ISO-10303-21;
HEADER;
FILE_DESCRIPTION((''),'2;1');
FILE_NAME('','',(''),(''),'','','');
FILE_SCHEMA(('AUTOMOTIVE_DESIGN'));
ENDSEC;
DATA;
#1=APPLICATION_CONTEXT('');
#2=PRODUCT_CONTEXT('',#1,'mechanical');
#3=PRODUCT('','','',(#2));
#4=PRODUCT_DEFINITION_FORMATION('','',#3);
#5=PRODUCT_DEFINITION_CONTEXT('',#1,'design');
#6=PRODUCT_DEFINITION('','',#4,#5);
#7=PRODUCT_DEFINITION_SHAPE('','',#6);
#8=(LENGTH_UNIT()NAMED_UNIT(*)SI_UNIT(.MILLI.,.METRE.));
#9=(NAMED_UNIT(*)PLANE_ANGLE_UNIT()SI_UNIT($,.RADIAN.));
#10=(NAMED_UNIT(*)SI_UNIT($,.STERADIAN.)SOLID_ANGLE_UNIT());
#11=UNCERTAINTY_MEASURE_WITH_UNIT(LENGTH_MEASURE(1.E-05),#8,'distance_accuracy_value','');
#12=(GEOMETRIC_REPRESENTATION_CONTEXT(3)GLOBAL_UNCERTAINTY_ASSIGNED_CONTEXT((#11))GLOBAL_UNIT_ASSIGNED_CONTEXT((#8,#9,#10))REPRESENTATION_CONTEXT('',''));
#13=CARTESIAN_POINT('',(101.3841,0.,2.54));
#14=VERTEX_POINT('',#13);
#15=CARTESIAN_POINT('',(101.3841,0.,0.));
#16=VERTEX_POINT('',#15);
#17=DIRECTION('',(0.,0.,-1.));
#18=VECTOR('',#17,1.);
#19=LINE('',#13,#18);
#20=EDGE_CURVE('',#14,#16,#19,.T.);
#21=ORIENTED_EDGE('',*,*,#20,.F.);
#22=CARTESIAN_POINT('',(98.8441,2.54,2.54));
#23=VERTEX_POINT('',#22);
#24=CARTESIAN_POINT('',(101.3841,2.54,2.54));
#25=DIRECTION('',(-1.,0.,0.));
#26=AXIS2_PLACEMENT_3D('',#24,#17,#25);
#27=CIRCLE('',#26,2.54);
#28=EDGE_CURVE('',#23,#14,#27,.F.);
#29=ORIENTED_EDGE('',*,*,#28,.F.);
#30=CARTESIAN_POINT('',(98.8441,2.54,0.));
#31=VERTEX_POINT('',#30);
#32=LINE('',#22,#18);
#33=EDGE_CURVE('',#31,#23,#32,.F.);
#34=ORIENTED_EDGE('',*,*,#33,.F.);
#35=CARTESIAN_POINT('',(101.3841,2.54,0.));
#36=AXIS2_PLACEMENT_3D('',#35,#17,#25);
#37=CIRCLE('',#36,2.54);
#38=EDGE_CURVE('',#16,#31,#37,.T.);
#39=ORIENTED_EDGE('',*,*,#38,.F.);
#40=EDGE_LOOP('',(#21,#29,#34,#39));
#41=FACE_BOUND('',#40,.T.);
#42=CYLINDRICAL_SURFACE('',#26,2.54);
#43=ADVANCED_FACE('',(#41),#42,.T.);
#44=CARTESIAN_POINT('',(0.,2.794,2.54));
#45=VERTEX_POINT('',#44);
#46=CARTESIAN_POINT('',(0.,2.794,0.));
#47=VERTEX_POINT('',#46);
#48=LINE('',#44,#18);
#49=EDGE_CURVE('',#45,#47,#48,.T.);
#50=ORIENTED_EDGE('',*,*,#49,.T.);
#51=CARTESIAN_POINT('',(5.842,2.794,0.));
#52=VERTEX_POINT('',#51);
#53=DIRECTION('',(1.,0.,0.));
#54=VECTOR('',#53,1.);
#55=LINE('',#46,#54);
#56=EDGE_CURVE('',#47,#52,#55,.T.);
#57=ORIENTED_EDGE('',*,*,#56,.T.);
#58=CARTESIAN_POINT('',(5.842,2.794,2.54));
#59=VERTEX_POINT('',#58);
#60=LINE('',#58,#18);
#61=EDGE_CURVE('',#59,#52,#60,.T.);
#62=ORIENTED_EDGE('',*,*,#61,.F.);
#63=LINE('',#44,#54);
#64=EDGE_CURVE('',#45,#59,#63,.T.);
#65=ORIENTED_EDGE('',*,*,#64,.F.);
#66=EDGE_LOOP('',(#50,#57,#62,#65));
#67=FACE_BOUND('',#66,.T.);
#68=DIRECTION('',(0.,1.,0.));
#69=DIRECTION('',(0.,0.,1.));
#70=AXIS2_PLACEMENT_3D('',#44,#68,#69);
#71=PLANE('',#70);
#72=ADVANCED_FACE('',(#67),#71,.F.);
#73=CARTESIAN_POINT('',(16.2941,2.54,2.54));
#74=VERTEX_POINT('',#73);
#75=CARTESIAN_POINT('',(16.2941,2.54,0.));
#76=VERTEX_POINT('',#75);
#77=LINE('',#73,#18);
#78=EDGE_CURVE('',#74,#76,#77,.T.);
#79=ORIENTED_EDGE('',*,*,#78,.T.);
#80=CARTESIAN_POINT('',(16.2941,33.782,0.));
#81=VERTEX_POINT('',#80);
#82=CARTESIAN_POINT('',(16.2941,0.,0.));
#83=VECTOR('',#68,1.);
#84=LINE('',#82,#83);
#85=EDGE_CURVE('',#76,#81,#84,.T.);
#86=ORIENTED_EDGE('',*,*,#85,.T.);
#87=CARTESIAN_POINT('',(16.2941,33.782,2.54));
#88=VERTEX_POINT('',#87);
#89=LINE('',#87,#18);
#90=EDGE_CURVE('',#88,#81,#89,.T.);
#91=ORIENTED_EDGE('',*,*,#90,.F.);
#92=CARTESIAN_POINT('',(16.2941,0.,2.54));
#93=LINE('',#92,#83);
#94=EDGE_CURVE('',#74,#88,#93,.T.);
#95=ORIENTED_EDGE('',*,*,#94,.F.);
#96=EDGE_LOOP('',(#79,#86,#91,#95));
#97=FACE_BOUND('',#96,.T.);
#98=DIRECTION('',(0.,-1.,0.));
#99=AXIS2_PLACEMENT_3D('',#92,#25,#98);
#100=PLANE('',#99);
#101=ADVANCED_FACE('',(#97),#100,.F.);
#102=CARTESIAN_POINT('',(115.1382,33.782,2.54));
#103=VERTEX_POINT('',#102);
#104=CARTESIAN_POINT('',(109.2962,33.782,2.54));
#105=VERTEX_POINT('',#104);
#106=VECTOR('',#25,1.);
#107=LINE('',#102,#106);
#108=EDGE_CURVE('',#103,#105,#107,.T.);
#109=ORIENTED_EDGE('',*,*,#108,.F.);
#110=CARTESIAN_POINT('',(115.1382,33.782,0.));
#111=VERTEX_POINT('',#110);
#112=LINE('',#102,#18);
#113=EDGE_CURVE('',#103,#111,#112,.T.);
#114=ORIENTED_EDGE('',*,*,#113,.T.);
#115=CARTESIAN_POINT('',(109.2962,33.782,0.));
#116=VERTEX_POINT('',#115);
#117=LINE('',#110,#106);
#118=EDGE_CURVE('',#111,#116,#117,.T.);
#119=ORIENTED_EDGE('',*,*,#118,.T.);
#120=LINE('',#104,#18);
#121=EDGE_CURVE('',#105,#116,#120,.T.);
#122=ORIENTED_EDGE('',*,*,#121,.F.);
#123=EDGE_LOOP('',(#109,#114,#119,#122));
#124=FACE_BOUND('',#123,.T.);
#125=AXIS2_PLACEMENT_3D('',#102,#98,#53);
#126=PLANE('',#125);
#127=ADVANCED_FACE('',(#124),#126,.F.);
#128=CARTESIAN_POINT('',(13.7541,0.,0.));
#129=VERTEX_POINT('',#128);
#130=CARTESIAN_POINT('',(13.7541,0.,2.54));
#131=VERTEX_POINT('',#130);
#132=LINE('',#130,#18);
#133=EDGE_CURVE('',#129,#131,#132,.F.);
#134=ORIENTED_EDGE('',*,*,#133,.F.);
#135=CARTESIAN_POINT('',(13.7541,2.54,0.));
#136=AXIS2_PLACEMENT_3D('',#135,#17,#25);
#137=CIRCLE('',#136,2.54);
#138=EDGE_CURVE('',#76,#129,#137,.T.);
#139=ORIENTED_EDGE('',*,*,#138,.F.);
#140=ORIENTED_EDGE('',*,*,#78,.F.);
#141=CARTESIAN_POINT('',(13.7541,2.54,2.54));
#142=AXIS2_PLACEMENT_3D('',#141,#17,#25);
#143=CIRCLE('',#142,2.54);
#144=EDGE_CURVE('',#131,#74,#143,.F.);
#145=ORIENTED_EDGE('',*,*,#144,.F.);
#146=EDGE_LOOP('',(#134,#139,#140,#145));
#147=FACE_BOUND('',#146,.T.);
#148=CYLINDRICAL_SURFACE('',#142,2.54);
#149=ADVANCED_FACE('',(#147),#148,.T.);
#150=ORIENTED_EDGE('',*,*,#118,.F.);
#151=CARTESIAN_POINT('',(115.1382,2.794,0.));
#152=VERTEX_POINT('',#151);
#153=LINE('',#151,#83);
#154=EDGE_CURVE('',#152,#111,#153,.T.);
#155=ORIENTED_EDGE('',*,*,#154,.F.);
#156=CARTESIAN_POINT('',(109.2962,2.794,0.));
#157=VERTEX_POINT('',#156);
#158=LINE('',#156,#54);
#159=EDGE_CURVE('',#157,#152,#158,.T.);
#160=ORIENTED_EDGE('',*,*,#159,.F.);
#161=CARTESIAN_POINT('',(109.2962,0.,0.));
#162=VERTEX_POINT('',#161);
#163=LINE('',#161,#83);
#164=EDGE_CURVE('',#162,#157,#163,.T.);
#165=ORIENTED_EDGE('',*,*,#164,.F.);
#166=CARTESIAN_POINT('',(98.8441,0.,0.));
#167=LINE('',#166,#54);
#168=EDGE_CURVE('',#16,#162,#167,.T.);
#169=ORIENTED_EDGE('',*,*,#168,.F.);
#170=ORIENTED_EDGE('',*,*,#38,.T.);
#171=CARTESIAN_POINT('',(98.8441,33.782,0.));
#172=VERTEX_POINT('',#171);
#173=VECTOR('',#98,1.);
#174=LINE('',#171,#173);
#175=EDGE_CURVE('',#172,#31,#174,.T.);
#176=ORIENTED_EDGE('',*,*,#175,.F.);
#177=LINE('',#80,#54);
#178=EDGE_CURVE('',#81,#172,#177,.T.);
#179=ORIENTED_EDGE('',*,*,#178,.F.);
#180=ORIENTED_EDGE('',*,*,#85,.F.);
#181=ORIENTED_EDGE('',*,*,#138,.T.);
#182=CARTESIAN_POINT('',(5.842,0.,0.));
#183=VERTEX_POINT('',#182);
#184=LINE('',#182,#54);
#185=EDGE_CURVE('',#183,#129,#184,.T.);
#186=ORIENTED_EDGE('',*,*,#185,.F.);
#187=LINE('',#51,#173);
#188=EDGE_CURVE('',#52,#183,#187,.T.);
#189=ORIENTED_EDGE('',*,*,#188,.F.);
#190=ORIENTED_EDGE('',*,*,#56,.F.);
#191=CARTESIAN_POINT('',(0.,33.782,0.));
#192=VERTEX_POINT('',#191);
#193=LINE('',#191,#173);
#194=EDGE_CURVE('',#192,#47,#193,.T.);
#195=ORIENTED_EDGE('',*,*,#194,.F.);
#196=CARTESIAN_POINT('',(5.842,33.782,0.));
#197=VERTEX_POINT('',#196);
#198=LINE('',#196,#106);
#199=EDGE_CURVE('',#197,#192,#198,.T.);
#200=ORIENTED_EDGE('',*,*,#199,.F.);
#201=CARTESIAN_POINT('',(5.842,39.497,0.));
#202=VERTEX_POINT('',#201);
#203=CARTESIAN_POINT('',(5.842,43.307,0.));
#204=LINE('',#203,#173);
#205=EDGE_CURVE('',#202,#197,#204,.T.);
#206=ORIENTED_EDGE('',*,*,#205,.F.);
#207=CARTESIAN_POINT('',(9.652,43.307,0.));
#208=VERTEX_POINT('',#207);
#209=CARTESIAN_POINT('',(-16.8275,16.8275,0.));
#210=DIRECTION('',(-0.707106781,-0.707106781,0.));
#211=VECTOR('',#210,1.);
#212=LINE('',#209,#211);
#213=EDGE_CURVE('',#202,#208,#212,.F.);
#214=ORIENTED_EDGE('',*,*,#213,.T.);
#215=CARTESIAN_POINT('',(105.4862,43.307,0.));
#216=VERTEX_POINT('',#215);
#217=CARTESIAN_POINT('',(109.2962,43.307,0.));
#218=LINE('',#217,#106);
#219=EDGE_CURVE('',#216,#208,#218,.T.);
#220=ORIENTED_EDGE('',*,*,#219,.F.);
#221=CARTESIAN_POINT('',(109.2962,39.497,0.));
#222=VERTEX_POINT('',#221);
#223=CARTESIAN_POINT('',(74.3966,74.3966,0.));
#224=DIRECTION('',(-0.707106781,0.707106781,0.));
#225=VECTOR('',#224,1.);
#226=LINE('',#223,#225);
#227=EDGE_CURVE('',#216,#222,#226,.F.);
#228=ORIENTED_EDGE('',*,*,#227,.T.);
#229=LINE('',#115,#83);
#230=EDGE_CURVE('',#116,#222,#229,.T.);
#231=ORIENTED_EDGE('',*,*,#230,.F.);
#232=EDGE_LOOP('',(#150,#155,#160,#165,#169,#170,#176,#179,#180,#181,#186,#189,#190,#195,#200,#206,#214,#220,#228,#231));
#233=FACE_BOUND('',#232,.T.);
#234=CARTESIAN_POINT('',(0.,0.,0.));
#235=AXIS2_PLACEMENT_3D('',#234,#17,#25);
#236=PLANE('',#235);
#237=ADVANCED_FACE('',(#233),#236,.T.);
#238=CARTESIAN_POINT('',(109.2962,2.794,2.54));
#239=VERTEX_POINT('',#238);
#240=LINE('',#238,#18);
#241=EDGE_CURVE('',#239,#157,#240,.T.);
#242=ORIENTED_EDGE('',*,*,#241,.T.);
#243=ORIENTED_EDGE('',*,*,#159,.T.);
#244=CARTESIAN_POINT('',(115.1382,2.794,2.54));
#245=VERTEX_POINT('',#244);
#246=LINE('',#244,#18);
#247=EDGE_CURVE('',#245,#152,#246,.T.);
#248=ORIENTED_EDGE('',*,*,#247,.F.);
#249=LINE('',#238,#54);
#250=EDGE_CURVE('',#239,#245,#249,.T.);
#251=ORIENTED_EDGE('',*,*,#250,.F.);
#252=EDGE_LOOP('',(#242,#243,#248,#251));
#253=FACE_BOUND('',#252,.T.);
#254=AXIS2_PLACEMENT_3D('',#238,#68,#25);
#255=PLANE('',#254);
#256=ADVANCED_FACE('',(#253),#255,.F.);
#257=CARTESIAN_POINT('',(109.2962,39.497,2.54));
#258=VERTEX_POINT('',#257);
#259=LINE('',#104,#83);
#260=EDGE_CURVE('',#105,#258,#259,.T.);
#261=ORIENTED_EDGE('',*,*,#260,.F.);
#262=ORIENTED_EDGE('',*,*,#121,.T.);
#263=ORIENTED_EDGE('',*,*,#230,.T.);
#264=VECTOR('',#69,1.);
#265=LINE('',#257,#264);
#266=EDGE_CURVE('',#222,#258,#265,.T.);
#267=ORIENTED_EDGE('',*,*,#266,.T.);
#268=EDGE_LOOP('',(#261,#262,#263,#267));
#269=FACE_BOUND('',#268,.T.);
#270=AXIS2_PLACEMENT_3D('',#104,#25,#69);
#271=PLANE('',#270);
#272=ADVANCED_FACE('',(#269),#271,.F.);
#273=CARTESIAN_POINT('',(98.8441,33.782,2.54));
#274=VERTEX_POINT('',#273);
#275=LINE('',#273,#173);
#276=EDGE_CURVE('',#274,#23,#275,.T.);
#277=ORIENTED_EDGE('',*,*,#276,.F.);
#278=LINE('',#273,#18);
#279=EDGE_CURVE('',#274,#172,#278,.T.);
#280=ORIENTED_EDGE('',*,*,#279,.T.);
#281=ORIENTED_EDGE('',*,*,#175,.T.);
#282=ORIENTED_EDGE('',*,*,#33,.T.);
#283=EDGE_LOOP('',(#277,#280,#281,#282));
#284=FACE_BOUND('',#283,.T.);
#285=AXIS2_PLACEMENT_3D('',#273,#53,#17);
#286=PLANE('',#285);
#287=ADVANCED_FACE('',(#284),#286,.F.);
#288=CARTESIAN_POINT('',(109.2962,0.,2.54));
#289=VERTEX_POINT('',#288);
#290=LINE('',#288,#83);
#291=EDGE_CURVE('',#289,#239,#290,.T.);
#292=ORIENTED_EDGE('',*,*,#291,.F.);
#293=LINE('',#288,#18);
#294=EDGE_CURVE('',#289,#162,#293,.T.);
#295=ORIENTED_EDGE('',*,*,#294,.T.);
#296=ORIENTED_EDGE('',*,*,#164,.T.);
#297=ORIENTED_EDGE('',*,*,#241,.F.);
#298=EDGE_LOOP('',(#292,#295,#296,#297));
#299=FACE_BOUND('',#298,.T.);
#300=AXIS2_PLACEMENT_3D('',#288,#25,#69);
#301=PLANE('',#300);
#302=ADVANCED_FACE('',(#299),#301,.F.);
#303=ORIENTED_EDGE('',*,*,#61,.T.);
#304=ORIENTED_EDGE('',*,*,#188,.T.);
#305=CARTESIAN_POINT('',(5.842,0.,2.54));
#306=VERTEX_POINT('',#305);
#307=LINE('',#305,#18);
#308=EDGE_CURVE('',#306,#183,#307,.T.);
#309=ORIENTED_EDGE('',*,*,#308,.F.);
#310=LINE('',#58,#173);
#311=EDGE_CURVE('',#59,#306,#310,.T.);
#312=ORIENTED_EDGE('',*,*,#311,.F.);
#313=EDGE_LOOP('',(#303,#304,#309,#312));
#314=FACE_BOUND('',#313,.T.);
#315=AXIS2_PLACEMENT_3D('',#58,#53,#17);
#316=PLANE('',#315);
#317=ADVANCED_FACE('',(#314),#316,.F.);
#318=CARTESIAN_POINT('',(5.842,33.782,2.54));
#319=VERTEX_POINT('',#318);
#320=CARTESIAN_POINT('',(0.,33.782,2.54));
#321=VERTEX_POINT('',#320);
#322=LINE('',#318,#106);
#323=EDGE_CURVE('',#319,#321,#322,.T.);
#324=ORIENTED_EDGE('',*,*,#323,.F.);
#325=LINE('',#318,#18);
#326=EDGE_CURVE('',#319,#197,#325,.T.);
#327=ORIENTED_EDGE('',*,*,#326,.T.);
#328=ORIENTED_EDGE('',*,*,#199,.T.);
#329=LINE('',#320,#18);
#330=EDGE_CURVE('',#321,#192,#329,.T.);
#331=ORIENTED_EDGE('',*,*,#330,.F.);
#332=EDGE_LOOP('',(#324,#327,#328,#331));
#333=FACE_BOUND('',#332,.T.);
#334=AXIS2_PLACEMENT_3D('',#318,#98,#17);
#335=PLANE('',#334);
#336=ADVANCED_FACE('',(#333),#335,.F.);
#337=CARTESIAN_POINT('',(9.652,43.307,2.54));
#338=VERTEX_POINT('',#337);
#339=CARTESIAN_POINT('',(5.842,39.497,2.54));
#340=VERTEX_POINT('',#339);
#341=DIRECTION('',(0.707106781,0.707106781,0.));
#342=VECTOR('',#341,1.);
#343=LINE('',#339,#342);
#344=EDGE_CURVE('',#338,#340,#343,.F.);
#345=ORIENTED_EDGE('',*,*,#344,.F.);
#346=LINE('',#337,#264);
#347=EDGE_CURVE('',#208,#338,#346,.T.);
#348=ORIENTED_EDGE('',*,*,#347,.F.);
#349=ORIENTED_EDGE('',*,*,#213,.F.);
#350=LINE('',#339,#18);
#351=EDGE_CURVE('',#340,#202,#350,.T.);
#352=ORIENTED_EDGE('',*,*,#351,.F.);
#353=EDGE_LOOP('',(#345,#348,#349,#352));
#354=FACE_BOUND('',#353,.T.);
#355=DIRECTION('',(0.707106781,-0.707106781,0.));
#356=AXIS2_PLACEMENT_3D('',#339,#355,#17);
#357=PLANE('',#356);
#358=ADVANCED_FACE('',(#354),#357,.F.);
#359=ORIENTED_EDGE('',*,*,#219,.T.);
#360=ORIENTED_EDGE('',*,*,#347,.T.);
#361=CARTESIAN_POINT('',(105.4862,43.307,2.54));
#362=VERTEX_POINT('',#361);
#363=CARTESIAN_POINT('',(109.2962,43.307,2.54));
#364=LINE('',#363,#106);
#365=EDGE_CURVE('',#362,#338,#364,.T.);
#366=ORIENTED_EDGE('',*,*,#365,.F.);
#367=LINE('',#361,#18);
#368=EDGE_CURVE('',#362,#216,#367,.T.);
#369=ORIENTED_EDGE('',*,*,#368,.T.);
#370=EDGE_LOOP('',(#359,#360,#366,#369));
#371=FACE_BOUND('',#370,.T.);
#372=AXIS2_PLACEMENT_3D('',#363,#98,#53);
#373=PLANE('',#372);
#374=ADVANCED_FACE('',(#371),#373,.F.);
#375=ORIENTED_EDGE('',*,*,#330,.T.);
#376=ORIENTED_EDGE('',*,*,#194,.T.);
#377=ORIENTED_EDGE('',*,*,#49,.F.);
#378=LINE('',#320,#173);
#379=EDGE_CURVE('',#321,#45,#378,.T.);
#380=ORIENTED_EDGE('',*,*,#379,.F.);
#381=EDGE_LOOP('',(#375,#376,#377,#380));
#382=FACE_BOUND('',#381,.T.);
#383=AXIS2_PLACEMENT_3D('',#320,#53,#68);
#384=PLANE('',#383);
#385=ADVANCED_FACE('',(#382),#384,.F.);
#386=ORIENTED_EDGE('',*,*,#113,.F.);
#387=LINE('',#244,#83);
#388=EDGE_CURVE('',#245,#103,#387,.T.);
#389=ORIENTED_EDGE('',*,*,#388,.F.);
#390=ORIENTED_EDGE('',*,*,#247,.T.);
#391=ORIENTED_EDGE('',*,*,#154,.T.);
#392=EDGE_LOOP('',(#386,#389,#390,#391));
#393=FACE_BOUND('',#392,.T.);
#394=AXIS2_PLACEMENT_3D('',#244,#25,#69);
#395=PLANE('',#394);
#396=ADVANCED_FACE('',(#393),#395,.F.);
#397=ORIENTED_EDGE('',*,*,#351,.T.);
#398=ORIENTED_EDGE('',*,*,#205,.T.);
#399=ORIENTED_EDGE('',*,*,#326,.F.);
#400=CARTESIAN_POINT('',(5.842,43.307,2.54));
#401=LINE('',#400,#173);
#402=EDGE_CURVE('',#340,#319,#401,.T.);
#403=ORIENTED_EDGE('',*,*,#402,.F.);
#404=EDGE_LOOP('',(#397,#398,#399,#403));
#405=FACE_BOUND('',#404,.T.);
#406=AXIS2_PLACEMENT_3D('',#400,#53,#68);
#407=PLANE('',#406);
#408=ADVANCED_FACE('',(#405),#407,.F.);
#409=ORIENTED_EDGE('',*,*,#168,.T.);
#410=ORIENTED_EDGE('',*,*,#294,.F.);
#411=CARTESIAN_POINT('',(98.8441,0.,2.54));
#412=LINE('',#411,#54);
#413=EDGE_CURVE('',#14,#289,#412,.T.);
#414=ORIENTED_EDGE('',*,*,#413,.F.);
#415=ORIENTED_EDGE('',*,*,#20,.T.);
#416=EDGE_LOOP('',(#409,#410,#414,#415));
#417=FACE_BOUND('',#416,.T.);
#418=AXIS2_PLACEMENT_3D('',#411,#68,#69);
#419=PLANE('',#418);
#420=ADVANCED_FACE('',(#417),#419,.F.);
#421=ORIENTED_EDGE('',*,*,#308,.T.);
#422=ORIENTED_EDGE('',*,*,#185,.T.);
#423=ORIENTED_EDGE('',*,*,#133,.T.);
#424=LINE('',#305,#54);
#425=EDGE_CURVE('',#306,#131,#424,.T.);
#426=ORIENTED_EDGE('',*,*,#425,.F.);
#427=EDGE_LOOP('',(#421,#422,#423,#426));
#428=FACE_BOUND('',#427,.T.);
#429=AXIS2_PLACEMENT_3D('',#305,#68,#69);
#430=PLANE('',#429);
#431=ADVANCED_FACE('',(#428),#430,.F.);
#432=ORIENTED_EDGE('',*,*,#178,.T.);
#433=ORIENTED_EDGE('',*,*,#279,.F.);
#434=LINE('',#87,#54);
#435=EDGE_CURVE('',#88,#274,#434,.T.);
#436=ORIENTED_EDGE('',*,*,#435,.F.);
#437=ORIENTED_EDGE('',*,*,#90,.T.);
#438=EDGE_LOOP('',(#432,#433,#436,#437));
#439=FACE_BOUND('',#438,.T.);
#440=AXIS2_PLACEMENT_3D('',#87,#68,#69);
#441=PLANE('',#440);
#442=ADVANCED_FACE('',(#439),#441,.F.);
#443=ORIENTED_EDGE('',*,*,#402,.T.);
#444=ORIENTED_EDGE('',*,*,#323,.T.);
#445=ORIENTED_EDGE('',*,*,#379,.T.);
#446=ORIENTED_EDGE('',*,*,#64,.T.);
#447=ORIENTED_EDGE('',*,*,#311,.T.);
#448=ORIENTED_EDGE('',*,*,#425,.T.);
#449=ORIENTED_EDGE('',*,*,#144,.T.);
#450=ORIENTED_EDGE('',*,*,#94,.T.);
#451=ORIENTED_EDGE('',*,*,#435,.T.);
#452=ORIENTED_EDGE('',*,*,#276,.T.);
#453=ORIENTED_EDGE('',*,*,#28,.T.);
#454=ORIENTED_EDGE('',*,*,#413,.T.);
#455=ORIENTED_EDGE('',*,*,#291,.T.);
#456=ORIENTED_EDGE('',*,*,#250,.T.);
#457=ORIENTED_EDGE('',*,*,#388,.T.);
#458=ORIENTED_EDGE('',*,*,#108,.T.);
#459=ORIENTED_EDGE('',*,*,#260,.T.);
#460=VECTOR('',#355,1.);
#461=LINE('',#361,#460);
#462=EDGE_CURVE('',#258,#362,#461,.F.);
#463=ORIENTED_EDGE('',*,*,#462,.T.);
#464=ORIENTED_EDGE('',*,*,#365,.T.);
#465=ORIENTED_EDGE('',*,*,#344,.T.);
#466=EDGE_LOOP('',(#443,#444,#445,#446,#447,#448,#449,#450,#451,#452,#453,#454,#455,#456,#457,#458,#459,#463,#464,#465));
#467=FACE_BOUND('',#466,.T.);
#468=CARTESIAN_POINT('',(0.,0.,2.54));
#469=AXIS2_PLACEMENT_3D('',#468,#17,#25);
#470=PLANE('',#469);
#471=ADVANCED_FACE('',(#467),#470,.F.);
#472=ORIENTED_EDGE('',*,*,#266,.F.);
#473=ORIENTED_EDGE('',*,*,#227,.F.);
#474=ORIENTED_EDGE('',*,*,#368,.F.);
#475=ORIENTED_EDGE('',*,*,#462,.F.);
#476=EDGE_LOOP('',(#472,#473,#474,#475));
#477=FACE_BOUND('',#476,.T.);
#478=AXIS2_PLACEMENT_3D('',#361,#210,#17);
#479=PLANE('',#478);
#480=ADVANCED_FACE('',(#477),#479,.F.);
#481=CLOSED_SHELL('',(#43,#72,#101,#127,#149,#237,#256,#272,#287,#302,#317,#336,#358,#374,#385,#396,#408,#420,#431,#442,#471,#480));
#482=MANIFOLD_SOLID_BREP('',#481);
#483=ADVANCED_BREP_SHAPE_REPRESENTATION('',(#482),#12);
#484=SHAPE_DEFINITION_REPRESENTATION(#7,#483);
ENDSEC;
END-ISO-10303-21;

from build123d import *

# Parameters (mm, degrees)
BOSS_EXTRUDE1_DEPTH = 2.54
CHAMFER1_SIZE       = 3.81
FILLET1_R           = 2.54


with BuildPart() as part:
    # Sketch1 → Boss-Extrude1 (new body)
    with BuildSketch(Plane.XY):
        Polygon((5.842, 0), (16.2941, 0), (16.2941, 33.782), (98.8441, 33.782), (98.8441, 0), (109.2962, 0), (109.2962, 2.794), (115.1382, 2.794), (115.1382, 33.782), (109.2962, 33.782), (109.2962, 43.307), (5.842, 43.307), (5.842, 33.782), (0, 33.782), (0, 2.794), (5.842, 2.794), align=None)
    extrude(amount=BOSS_EXTRUDE1_DEPTH)

    # Chamfer1
    chamfer1_edges = [part.edges().sort_by_distance(p)[0] for p in [
        (5.842, 43.307, 1.27),
        (109.2962, 43.307, 1.27),
    ]]
    chamfer(chamfer1_edges, length=CHAMFER1_SIZE)

    # Fillet1
    fillet1_edges = [part.edges().sort_by_distance(p)[0] for p in [
        (16.2941, 0, 1.27),
        (98.8441, 0, 1.27),
    ]]
    fillet(fillet1_edges, radius=FILLET1_R)


solid = part.part
